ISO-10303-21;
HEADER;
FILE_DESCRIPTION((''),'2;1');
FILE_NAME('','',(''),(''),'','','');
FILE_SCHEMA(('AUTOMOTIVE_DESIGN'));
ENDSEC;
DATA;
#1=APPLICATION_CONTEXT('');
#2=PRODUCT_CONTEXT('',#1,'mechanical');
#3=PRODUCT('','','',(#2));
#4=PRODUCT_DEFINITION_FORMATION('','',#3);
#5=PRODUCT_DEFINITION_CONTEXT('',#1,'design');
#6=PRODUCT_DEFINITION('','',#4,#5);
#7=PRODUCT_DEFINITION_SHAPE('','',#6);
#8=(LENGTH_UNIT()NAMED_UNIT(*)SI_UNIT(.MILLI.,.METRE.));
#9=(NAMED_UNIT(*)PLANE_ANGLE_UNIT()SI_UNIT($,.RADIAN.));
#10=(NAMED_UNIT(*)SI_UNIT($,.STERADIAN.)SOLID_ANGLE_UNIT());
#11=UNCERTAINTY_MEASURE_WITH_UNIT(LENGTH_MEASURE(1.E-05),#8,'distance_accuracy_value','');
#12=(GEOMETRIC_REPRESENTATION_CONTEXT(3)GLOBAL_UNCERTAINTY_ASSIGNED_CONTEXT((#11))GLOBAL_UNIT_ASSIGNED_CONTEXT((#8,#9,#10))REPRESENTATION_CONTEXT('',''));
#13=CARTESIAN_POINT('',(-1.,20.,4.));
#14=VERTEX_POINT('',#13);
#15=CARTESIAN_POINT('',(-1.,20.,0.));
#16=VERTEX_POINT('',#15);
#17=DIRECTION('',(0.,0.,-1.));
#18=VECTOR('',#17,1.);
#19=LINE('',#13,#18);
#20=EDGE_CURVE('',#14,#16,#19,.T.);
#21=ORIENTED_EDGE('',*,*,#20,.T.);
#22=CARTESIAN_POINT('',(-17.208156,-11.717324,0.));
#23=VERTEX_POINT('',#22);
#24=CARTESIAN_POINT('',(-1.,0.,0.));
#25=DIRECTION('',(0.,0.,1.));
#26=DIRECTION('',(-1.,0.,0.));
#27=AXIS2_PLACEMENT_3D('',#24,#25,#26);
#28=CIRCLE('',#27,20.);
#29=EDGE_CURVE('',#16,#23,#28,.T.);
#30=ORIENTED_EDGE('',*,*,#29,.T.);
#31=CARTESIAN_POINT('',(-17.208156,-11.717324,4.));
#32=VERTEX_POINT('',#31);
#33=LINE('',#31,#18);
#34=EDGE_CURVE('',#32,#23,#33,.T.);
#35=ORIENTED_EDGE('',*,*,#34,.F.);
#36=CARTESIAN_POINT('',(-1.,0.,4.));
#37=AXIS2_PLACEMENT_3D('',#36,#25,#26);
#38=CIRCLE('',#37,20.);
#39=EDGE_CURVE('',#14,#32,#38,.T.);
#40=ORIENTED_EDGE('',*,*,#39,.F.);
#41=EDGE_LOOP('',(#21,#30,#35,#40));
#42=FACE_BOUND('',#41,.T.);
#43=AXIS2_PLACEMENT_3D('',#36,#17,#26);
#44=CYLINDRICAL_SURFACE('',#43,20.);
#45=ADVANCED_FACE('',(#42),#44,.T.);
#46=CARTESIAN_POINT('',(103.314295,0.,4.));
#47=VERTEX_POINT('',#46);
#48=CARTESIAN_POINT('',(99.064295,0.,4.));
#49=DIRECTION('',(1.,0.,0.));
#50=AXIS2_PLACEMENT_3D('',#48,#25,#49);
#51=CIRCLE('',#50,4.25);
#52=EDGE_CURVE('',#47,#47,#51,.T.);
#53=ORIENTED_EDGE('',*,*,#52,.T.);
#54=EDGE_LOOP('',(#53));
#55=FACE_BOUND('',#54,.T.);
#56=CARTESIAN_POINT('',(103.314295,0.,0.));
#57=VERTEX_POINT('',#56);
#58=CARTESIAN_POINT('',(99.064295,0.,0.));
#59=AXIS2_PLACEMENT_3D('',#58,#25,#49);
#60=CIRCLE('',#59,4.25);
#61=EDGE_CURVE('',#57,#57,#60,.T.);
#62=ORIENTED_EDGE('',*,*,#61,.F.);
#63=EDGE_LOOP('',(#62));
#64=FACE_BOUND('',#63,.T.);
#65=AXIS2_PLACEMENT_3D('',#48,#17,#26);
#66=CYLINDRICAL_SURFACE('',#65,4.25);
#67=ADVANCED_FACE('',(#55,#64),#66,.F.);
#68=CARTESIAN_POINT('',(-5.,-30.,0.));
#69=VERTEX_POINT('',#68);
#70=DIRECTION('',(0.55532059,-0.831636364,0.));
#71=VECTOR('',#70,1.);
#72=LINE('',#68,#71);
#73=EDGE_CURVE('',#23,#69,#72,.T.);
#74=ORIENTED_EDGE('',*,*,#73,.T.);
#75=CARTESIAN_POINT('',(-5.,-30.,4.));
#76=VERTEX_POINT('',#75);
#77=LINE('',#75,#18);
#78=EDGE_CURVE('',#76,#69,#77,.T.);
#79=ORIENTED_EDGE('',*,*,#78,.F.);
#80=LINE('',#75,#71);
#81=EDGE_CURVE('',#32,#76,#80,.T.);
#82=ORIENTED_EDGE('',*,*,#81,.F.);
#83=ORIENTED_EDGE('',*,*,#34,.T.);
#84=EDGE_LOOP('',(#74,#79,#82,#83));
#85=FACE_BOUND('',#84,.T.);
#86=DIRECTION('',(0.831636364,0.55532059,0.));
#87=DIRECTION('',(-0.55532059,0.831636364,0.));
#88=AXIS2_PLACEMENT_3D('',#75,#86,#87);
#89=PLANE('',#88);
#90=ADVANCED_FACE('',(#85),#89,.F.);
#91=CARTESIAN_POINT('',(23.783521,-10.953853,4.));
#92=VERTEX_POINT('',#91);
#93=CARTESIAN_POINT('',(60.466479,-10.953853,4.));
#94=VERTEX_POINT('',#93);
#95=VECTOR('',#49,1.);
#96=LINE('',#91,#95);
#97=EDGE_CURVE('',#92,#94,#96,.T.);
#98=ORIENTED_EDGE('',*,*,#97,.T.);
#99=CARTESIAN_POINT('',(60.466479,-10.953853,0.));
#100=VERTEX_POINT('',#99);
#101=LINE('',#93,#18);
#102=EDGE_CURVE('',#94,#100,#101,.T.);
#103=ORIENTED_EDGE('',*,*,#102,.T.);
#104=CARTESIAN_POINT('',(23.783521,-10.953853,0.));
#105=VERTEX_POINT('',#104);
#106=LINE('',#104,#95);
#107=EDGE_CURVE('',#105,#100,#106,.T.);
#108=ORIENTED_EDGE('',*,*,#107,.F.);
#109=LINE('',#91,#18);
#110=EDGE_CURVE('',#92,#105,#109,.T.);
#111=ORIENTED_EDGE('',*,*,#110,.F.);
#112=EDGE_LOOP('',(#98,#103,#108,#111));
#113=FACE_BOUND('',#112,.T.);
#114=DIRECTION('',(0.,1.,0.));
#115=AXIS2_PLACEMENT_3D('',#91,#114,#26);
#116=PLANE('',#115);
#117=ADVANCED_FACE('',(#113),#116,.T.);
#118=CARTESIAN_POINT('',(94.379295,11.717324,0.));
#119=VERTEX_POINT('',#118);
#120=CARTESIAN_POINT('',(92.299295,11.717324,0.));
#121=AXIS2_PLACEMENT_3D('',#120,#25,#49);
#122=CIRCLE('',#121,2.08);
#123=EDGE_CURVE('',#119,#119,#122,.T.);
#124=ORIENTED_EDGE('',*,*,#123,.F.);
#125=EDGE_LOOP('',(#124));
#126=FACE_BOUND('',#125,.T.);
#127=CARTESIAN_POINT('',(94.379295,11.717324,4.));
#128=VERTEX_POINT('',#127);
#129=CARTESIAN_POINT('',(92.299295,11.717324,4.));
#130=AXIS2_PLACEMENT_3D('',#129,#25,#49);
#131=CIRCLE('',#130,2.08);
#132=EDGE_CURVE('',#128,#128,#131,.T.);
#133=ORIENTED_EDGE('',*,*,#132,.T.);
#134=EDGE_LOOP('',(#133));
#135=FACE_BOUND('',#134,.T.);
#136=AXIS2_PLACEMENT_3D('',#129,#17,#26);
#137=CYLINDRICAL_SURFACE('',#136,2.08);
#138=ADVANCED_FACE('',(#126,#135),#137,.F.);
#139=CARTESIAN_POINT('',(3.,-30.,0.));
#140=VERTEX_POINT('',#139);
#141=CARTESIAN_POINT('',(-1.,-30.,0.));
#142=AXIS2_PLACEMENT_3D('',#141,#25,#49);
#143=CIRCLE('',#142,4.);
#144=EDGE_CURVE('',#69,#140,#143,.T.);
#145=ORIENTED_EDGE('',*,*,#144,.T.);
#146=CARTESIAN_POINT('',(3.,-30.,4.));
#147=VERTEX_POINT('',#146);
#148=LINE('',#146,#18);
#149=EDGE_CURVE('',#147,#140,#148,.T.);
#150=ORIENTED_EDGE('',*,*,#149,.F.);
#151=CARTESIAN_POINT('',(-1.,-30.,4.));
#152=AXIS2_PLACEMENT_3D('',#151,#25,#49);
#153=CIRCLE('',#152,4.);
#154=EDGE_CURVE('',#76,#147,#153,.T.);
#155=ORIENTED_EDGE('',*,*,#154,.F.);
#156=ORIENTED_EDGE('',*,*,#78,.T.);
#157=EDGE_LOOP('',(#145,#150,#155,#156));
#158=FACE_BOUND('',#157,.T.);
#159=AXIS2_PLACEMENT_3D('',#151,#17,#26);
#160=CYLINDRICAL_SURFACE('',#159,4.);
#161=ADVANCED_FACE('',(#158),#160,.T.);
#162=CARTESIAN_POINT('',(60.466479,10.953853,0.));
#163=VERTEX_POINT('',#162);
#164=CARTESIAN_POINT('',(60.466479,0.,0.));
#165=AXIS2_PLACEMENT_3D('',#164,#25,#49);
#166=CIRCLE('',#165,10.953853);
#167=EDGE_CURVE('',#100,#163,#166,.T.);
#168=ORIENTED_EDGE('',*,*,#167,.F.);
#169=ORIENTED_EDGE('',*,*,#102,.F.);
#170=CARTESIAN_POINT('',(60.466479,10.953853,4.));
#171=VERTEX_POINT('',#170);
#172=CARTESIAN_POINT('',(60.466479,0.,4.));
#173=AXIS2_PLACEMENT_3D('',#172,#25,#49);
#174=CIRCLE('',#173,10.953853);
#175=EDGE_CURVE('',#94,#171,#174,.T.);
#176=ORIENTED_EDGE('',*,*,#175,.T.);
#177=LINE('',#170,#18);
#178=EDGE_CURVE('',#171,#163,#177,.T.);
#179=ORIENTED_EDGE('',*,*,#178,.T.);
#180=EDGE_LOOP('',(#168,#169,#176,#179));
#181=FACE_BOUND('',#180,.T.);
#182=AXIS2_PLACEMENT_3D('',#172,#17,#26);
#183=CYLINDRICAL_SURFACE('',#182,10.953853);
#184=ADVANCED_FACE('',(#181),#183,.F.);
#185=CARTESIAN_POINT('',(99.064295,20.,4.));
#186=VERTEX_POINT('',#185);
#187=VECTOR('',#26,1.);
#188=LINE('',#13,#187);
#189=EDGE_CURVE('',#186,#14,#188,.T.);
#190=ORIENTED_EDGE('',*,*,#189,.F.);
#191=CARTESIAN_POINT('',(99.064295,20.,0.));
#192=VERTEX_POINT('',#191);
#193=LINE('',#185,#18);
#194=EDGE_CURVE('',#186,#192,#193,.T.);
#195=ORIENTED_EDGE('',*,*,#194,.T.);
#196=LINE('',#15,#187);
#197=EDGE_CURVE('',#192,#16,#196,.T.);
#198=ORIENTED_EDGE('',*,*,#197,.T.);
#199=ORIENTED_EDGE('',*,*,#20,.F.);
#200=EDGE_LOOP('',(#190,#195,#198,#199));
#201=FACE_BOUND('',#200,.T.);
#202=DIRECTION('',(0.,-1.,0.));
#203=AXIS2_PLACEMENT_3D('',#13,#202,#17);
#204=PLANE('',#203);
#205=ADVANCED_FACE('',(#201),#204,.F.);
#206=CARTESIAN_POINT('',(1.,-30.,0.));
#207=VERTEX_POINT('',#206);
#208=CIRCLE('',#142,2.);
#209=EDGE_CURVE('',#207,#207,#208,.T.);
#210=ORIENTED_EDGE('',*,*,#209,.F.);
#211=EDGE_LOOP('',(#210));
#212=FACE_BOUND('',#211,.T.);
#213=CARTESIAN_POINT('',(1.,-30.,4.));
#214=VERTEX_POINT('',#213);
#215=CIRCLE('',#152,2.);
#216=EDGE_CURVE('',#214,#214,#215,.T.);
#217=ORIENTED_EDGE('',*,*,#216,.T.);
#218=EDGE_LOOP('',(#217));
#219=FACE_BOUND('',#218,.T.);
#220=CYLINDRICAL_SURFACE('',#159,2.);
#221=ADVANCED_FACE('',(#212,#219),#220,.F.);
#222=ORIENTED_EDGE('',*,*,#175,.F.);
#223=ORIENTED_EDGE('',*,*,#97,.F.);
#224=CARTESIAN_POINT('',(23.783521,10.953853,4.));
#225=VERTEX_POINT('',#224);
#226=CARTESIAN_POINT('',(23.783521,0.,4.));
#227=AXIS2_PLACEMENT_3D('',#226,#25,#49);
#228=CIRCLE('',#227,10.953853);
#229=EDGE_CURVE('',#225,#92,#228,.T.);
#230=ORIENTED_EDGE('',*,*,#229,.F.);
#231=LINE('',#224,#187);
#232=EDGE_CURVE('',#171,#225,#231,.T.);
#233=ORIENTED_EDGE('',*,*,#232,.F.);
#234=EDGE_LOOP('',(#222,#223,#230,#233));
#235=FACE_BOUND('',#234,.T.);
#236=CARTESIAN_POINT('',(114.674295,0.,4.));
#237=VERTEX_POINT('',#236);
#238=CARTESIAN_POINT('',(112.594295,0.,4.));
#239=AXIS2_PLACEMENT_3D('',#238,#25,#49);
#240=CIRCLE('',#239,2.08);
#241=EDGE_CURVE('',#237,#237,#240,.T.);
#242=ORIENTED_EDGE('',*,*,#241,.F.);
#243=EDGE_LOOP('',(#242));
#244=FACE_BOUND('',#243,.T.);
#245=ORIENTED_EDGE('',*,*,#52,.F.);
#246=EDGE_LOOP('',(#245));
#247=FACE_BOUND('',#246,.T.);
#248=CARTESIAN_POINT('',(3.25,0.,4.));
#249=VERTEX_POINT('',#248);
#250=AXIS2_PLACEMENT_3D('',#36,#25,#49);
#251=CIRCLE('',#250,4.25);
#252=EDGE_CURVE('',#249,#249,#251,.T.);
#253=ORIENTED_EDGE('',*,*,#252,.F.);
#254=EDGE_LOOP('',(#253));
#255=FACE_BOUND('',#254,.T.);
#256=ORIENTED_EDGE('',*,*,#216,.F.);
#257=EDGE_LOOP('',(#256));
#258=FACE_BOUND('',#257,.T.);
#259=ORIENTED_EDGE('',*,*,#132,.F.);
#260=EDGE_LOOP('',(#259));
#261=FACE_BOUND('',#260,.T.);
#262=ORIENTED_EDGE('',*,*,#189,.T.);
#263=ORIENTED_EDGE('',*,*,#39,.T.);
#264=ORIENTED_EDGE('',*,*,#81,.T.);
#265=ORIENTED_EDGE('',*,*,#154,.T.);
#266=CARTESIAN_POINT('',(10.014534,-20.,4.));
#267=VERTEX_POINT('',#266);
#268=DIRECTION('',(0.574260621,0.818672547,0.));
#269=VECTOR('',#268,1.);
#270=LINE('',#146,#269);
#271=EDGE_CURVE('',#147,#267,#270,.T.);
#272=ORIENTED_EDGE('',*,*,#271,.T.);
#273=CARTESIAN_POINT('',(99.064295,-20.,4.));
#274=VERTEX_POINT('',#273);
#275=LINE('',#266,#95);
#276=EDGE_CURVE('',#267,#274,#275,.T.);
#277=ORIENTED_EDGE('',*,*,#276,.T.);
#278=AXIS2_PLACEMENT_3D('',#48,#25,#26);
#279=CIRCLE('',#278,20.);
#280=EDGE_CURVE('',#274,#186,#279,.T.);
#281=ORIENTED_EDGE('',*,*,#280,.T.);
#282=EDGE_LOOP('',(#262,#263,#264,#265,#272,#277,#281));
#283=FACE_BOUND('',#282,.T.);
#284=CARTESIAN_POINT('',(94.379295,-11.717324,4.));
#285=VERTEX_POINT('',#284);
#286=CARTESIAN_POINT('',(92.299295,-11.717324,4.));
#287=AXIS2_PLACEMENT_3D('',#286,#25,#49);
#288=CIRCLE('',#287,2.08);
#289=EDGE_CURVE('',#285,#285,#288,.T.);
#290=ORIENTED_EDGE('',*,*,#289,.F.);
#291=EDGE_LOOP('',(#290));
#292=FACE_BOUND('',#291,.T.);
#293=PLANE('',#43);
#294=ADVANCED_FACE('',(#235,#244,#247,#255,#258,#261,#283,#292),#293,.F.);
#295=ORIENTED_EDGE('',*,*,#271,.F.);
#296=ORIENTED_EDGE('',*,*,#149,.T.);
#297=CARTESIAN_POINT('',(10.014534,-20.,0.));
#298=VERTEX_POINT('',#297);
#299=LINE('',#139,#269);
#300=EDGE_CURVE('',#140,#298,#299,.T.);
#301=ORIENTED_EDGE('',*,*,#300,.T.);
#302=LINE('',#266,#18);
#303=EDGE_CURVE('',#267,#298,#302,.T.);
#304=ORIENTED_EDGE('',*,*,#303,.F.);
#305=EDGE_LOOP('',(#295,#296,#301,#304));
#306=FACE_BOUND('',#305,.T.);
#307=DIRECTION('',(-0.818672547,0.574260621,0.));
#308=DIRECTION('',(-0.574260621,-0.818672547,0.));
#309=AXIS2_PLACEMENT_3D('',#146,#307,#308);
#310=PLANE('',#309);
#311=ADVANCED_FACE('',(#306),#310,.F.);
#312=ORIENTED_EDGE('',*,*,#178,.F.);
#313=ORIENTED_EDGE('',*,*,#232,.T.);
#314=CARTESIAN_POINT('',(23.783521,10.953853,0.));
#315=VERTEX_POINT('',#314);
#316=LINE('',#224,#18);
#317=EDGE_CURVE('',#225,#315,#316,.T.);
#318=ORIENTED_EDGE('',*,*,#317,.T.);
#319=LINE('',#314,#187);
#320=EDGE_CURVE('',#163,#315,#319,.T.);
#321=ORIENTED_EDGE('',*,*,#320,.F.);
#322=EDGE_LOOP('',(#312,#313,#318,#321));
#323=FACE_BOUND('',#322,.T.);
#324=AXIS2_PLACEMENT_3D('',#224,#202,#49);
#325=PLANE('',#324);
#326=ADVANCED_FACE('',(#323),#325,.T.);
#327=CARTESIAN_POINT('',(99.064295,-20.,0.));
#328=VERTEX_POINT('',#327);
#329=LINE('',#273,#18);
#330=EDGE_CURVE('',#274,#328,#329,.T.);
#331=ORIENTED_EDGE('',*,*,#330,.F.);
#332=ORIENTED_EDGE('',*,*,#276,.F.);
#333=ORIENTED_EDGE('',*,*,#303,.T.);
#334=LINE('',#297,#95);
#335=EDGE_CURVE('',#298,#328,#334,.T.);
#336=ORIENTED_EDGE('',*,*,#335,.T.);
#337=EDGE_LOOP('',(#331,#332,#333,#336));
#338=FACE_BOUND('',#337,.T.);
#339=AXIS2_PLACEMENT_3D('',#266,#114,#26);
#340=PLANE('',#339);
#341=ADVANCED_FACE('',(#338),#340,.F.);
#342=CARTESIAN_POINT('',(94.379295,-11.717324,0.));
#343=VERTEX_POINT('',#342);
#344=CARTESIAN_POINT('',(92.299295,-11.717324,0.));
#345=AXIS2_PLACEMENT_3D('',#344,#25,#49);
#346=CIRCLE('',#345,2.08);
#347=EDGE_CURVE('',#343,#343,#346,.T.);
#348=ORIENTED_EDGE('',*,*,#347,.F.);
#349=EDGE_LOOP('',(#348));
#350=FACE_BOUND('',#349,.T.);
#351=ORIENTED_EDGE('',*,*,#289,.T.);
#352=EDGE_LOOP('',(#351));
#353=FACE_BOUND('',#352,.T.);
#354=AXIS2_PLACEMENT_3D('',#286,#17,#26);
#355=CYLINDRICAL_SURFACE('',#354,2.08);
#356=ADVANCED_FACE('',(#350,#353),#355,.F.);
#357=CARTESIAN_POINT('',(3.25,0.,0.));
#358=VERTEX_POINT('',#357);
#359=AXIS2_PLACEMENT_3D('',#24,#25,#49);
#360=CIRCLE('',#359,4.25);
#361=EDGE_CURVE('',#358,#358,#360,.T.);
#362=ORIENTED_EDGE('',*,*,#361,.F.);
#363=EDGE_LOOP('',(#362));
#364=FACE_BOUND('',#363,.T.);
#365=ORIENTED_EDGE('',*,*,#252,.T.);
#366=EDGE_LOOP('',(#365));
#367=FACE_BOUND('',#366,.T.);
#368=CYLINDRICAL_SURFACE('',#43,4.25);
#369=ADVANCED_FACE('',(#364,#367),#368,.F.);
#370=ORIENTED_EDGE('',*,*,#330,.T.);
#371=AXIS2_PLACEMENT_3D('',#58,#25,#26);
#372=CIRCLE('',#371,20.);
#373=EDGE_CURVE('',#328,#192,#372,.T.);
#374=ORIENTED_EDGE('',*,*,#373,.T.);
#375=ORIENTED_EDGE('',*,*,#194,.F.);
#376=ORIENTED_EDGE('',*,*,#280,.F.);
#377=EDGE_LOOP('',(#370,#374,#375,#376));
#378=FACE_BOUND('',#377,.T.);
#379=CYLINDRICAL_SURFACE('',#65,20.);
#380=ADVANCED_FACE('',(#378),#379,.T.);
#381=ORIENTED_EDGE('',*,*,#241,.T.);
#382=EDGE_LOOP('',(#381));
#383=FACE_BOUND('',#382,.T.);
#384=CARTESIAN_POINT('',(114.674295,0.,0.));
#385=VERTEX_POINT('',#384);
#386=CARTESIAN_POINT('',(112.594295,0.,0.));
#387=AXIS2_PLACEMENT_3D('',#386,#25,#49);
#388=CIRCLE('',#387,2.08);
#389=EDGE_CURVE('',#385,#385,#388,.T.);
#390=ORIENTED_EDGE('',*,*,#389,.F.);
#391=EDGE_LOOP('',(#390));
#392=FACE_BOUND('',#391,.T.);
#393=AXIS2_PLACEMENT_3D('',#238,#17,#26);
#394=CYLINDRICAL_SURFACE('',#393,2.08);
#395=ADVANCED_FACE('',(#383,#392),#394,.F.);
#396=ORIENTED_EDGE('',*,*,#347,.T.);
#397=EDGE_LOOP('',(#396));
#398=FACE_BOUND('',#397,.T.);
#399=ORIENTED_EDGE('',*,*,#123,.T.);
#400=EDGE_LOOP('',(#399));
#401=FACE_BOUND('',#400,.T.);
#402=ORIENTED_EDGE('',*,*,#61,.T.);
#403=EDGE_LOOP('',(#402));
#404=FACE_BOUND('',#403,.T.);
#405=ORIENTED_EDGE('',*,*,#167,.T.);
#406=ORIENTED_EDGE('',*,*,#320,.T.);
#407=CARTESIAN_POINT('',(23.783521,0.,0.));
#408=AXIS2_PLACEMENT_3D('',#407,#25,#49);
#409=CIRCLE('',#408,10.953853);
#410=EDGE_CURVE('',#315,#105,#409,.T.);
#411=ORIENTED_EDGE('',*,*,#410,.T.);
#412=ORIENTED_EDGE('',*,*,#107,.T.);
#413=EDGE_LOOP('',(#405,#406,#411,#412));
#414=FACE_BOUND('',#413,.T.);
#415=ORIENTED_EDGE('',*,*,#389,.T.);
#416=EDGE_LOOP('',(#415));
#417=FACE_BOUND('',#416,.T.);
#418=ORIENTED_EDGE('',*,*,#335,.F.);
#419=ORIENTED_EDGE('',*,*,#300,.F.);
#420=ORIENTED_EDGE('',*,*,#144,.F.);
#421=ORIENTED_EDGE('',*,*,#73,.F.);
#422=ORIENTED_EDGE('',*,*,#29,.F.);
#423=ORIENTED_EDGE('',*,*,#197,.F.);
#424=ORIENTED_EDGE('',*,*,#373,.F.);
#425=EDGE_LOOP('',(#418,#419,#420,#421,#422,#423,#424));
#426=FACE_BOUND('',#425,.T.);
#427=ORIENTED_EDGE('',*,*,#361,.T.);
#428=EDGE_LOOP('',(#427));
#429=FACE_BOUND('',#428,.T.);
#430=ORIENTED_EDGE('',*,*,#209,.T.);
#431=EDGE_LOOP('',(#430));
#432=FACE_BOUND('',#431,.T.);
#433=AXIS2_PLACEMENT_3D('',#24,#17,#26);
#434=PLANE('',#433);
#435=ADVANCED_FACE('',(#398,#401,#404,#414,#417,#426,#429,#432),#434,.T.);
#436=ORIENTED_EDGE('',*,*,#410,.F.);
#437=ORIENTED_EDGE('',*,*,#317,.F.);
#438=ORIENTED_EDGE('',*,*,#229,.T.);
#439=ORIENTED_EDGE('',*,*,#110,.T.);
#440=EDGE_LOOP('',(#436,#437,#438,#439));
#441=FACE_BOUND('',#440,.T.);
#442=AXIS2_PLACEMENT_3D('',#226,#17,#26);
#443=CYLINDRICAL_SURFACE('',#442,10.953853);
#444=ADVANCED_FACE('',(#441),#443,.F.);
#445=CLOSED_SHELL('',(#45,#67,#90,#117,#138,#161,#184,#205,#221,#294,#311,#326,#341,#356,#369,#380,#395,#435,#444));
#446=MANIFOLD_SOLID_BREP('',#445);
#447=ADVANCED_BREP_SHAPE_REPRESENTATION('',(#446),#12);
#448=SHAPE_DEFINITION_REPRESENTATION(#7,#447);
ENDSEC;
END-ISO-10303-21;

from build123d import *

# Parameters (mm, degrees)
SKETCH_1_R      = 4.25
SKETCH_1_R_2    = 2.08
SKETCH_1_R_3    = 2
EXTRUDE_1_DEPTH = 4


with BuildPart() as part:
    # 草图1 → 凸台-拉伸1 (new body)
    with BuildSketch(Plane.XY):
        with BuildLine():
            Line((-1, 20), (99.064295006, 20))
            ThreePointArc((99.064295006, 20), (119.064295006, 0), (99.064295006, -20))
            Line((99.064295006, -20), (10.014533743, -20))
            Line((10.014533743, -20), (3, -30))
            ThreePointArc((3, -30), (-1, -34), (-5, -30))
            Line((-5, -30), (-17.208156126, -11.717323713))
            ThreePointArc((-17.208156126, -11.717323713), (-18.809358134, 9.10092099), (-1, 20))
        make_face()
        with Locations((-1, 0)):
            Circle(SKETCH_1_R, mode=Mode.SUBTRACT)
        with Locations((99.064295006, 0)):
            Circle(SKETCH_1_R, mode=Mode.SUBTRACT)
        with Locations((112.594295006, 0)):
            Circle(SKETCH_1_R_2, mode=Mode.SUBTRACT)
        with Locations((92.299295006, -11.717323713)):
            Circle(SKETCH_1_R_2, mode=Mode.SUBTRACT)
        with Locations((92.299295006, 11.717323713)):
            Circle(SKETCH_1_R_2, mode=Mode.SUBTRACT)
        with Locations((-1, -30)):
            Circle(SKETCH_1_R_3, mode=Mode.SUBTRACT)
        with BuildLine():
            Line((23.78352134, 10.95385289), (60.46647866, 10.95385289))
            ThreePointArc((60.46647866, 10.95385289), (71.420331549, 0), (60.46647866, -10.95385289))
            Line((60.46647866, -10.95385289), (23.78352134, -10.95385289))
            ThreePointArc((23.78352134, -10.95385289), (12.829668451, 0), (23.78352134, 10.95385289))
        make_face(mode=Mode.SUBTRACT)
    extrude(amount=EXTRUDE_1_DEPTH)


solid = part.part
